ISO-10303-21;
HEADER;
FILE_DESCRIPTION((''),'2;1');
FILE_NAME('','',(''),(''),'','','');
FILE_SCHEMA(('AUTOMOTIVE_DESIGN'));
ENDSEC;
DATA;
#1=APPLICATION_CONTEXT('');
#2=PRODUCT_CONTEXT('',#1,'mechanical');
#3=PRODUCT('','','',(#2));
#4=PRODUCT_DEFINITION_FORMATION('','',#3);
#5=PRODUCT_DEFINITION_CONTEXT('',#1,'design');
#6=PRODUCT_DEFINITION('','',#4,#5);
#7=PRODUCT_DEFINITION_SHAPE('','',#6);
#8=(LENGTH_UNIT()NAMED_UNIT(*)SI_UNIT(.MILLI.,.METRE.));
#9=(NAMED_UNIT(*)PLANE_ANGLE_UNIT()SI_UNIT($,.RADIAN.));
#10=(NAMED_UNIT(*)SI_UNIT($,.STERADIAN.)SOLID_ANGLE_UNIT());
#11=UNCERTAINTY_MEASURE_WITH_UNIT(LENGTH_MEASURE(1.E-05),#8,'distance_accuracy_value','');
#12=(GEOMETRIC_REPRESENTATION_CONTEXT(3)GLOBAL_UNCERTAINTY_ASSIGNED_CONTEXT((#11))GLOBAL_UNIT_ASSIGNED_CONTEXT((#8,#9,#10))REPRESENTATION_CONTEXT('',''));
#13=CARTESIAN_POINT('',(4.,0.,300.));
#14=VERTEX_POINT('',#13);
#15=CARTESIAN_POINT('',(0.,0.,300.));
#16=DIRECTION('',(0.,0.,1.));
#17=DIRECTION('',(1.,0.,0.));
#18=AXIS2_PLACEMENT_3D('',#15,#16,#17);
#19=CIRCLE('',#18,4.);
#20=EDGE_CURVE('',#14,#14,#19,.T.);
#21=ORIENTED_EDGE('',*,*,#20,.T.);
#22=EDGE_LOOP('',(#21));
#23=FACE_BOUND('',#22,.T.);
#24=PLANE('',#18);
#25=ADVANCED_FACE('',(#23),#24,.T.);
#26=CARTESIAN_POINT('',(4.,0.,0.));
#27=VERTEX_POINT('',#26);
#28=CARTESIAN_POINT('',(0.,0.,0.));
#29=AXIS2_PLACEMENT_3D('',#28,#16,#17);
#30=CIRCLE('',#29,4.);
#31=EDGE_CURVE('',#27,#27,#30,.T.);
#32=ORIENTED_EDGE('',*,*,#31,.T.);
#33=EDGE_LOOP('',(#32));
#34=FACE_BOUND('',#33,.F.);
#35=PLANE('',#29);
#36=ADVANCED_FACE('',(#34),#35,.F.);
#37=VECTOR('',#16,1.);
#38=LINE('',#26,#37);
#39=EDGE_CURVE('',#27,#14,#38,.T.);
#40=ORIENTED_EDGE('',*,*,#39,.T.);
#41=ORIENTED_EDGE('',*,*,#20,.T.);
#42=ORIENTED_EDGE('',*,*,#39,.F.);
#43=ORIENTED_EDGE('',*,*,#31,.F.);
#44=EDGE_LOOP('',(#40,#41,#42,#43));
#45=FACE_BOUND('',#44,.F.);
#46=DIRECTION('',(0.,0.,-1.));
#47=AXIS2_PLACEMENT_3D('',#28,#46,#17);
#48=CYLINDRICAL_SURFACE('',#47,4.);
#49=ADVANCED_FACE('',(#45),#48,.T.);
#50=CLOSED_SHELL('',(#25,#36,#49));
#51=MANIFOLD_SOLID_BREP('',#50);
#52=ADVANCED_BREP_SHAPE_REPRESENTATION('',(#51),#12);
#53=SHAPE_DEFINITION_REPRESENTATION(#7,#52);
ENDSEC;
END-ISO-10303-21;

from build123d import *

# Parameters (mm, degrees)
SKETCH_1_R      = 4
EXTRUDE_1_DEPTH = 300


with BuildPart() as part:
    # 草图1 → 凸台-拉伸1 (new body)
    with BuildSketch(Plane.XY):
        Circle(SKETCH_1_R)
    extrude(amount=EXTRUDE_1_DEPTH)


solid = part.part
